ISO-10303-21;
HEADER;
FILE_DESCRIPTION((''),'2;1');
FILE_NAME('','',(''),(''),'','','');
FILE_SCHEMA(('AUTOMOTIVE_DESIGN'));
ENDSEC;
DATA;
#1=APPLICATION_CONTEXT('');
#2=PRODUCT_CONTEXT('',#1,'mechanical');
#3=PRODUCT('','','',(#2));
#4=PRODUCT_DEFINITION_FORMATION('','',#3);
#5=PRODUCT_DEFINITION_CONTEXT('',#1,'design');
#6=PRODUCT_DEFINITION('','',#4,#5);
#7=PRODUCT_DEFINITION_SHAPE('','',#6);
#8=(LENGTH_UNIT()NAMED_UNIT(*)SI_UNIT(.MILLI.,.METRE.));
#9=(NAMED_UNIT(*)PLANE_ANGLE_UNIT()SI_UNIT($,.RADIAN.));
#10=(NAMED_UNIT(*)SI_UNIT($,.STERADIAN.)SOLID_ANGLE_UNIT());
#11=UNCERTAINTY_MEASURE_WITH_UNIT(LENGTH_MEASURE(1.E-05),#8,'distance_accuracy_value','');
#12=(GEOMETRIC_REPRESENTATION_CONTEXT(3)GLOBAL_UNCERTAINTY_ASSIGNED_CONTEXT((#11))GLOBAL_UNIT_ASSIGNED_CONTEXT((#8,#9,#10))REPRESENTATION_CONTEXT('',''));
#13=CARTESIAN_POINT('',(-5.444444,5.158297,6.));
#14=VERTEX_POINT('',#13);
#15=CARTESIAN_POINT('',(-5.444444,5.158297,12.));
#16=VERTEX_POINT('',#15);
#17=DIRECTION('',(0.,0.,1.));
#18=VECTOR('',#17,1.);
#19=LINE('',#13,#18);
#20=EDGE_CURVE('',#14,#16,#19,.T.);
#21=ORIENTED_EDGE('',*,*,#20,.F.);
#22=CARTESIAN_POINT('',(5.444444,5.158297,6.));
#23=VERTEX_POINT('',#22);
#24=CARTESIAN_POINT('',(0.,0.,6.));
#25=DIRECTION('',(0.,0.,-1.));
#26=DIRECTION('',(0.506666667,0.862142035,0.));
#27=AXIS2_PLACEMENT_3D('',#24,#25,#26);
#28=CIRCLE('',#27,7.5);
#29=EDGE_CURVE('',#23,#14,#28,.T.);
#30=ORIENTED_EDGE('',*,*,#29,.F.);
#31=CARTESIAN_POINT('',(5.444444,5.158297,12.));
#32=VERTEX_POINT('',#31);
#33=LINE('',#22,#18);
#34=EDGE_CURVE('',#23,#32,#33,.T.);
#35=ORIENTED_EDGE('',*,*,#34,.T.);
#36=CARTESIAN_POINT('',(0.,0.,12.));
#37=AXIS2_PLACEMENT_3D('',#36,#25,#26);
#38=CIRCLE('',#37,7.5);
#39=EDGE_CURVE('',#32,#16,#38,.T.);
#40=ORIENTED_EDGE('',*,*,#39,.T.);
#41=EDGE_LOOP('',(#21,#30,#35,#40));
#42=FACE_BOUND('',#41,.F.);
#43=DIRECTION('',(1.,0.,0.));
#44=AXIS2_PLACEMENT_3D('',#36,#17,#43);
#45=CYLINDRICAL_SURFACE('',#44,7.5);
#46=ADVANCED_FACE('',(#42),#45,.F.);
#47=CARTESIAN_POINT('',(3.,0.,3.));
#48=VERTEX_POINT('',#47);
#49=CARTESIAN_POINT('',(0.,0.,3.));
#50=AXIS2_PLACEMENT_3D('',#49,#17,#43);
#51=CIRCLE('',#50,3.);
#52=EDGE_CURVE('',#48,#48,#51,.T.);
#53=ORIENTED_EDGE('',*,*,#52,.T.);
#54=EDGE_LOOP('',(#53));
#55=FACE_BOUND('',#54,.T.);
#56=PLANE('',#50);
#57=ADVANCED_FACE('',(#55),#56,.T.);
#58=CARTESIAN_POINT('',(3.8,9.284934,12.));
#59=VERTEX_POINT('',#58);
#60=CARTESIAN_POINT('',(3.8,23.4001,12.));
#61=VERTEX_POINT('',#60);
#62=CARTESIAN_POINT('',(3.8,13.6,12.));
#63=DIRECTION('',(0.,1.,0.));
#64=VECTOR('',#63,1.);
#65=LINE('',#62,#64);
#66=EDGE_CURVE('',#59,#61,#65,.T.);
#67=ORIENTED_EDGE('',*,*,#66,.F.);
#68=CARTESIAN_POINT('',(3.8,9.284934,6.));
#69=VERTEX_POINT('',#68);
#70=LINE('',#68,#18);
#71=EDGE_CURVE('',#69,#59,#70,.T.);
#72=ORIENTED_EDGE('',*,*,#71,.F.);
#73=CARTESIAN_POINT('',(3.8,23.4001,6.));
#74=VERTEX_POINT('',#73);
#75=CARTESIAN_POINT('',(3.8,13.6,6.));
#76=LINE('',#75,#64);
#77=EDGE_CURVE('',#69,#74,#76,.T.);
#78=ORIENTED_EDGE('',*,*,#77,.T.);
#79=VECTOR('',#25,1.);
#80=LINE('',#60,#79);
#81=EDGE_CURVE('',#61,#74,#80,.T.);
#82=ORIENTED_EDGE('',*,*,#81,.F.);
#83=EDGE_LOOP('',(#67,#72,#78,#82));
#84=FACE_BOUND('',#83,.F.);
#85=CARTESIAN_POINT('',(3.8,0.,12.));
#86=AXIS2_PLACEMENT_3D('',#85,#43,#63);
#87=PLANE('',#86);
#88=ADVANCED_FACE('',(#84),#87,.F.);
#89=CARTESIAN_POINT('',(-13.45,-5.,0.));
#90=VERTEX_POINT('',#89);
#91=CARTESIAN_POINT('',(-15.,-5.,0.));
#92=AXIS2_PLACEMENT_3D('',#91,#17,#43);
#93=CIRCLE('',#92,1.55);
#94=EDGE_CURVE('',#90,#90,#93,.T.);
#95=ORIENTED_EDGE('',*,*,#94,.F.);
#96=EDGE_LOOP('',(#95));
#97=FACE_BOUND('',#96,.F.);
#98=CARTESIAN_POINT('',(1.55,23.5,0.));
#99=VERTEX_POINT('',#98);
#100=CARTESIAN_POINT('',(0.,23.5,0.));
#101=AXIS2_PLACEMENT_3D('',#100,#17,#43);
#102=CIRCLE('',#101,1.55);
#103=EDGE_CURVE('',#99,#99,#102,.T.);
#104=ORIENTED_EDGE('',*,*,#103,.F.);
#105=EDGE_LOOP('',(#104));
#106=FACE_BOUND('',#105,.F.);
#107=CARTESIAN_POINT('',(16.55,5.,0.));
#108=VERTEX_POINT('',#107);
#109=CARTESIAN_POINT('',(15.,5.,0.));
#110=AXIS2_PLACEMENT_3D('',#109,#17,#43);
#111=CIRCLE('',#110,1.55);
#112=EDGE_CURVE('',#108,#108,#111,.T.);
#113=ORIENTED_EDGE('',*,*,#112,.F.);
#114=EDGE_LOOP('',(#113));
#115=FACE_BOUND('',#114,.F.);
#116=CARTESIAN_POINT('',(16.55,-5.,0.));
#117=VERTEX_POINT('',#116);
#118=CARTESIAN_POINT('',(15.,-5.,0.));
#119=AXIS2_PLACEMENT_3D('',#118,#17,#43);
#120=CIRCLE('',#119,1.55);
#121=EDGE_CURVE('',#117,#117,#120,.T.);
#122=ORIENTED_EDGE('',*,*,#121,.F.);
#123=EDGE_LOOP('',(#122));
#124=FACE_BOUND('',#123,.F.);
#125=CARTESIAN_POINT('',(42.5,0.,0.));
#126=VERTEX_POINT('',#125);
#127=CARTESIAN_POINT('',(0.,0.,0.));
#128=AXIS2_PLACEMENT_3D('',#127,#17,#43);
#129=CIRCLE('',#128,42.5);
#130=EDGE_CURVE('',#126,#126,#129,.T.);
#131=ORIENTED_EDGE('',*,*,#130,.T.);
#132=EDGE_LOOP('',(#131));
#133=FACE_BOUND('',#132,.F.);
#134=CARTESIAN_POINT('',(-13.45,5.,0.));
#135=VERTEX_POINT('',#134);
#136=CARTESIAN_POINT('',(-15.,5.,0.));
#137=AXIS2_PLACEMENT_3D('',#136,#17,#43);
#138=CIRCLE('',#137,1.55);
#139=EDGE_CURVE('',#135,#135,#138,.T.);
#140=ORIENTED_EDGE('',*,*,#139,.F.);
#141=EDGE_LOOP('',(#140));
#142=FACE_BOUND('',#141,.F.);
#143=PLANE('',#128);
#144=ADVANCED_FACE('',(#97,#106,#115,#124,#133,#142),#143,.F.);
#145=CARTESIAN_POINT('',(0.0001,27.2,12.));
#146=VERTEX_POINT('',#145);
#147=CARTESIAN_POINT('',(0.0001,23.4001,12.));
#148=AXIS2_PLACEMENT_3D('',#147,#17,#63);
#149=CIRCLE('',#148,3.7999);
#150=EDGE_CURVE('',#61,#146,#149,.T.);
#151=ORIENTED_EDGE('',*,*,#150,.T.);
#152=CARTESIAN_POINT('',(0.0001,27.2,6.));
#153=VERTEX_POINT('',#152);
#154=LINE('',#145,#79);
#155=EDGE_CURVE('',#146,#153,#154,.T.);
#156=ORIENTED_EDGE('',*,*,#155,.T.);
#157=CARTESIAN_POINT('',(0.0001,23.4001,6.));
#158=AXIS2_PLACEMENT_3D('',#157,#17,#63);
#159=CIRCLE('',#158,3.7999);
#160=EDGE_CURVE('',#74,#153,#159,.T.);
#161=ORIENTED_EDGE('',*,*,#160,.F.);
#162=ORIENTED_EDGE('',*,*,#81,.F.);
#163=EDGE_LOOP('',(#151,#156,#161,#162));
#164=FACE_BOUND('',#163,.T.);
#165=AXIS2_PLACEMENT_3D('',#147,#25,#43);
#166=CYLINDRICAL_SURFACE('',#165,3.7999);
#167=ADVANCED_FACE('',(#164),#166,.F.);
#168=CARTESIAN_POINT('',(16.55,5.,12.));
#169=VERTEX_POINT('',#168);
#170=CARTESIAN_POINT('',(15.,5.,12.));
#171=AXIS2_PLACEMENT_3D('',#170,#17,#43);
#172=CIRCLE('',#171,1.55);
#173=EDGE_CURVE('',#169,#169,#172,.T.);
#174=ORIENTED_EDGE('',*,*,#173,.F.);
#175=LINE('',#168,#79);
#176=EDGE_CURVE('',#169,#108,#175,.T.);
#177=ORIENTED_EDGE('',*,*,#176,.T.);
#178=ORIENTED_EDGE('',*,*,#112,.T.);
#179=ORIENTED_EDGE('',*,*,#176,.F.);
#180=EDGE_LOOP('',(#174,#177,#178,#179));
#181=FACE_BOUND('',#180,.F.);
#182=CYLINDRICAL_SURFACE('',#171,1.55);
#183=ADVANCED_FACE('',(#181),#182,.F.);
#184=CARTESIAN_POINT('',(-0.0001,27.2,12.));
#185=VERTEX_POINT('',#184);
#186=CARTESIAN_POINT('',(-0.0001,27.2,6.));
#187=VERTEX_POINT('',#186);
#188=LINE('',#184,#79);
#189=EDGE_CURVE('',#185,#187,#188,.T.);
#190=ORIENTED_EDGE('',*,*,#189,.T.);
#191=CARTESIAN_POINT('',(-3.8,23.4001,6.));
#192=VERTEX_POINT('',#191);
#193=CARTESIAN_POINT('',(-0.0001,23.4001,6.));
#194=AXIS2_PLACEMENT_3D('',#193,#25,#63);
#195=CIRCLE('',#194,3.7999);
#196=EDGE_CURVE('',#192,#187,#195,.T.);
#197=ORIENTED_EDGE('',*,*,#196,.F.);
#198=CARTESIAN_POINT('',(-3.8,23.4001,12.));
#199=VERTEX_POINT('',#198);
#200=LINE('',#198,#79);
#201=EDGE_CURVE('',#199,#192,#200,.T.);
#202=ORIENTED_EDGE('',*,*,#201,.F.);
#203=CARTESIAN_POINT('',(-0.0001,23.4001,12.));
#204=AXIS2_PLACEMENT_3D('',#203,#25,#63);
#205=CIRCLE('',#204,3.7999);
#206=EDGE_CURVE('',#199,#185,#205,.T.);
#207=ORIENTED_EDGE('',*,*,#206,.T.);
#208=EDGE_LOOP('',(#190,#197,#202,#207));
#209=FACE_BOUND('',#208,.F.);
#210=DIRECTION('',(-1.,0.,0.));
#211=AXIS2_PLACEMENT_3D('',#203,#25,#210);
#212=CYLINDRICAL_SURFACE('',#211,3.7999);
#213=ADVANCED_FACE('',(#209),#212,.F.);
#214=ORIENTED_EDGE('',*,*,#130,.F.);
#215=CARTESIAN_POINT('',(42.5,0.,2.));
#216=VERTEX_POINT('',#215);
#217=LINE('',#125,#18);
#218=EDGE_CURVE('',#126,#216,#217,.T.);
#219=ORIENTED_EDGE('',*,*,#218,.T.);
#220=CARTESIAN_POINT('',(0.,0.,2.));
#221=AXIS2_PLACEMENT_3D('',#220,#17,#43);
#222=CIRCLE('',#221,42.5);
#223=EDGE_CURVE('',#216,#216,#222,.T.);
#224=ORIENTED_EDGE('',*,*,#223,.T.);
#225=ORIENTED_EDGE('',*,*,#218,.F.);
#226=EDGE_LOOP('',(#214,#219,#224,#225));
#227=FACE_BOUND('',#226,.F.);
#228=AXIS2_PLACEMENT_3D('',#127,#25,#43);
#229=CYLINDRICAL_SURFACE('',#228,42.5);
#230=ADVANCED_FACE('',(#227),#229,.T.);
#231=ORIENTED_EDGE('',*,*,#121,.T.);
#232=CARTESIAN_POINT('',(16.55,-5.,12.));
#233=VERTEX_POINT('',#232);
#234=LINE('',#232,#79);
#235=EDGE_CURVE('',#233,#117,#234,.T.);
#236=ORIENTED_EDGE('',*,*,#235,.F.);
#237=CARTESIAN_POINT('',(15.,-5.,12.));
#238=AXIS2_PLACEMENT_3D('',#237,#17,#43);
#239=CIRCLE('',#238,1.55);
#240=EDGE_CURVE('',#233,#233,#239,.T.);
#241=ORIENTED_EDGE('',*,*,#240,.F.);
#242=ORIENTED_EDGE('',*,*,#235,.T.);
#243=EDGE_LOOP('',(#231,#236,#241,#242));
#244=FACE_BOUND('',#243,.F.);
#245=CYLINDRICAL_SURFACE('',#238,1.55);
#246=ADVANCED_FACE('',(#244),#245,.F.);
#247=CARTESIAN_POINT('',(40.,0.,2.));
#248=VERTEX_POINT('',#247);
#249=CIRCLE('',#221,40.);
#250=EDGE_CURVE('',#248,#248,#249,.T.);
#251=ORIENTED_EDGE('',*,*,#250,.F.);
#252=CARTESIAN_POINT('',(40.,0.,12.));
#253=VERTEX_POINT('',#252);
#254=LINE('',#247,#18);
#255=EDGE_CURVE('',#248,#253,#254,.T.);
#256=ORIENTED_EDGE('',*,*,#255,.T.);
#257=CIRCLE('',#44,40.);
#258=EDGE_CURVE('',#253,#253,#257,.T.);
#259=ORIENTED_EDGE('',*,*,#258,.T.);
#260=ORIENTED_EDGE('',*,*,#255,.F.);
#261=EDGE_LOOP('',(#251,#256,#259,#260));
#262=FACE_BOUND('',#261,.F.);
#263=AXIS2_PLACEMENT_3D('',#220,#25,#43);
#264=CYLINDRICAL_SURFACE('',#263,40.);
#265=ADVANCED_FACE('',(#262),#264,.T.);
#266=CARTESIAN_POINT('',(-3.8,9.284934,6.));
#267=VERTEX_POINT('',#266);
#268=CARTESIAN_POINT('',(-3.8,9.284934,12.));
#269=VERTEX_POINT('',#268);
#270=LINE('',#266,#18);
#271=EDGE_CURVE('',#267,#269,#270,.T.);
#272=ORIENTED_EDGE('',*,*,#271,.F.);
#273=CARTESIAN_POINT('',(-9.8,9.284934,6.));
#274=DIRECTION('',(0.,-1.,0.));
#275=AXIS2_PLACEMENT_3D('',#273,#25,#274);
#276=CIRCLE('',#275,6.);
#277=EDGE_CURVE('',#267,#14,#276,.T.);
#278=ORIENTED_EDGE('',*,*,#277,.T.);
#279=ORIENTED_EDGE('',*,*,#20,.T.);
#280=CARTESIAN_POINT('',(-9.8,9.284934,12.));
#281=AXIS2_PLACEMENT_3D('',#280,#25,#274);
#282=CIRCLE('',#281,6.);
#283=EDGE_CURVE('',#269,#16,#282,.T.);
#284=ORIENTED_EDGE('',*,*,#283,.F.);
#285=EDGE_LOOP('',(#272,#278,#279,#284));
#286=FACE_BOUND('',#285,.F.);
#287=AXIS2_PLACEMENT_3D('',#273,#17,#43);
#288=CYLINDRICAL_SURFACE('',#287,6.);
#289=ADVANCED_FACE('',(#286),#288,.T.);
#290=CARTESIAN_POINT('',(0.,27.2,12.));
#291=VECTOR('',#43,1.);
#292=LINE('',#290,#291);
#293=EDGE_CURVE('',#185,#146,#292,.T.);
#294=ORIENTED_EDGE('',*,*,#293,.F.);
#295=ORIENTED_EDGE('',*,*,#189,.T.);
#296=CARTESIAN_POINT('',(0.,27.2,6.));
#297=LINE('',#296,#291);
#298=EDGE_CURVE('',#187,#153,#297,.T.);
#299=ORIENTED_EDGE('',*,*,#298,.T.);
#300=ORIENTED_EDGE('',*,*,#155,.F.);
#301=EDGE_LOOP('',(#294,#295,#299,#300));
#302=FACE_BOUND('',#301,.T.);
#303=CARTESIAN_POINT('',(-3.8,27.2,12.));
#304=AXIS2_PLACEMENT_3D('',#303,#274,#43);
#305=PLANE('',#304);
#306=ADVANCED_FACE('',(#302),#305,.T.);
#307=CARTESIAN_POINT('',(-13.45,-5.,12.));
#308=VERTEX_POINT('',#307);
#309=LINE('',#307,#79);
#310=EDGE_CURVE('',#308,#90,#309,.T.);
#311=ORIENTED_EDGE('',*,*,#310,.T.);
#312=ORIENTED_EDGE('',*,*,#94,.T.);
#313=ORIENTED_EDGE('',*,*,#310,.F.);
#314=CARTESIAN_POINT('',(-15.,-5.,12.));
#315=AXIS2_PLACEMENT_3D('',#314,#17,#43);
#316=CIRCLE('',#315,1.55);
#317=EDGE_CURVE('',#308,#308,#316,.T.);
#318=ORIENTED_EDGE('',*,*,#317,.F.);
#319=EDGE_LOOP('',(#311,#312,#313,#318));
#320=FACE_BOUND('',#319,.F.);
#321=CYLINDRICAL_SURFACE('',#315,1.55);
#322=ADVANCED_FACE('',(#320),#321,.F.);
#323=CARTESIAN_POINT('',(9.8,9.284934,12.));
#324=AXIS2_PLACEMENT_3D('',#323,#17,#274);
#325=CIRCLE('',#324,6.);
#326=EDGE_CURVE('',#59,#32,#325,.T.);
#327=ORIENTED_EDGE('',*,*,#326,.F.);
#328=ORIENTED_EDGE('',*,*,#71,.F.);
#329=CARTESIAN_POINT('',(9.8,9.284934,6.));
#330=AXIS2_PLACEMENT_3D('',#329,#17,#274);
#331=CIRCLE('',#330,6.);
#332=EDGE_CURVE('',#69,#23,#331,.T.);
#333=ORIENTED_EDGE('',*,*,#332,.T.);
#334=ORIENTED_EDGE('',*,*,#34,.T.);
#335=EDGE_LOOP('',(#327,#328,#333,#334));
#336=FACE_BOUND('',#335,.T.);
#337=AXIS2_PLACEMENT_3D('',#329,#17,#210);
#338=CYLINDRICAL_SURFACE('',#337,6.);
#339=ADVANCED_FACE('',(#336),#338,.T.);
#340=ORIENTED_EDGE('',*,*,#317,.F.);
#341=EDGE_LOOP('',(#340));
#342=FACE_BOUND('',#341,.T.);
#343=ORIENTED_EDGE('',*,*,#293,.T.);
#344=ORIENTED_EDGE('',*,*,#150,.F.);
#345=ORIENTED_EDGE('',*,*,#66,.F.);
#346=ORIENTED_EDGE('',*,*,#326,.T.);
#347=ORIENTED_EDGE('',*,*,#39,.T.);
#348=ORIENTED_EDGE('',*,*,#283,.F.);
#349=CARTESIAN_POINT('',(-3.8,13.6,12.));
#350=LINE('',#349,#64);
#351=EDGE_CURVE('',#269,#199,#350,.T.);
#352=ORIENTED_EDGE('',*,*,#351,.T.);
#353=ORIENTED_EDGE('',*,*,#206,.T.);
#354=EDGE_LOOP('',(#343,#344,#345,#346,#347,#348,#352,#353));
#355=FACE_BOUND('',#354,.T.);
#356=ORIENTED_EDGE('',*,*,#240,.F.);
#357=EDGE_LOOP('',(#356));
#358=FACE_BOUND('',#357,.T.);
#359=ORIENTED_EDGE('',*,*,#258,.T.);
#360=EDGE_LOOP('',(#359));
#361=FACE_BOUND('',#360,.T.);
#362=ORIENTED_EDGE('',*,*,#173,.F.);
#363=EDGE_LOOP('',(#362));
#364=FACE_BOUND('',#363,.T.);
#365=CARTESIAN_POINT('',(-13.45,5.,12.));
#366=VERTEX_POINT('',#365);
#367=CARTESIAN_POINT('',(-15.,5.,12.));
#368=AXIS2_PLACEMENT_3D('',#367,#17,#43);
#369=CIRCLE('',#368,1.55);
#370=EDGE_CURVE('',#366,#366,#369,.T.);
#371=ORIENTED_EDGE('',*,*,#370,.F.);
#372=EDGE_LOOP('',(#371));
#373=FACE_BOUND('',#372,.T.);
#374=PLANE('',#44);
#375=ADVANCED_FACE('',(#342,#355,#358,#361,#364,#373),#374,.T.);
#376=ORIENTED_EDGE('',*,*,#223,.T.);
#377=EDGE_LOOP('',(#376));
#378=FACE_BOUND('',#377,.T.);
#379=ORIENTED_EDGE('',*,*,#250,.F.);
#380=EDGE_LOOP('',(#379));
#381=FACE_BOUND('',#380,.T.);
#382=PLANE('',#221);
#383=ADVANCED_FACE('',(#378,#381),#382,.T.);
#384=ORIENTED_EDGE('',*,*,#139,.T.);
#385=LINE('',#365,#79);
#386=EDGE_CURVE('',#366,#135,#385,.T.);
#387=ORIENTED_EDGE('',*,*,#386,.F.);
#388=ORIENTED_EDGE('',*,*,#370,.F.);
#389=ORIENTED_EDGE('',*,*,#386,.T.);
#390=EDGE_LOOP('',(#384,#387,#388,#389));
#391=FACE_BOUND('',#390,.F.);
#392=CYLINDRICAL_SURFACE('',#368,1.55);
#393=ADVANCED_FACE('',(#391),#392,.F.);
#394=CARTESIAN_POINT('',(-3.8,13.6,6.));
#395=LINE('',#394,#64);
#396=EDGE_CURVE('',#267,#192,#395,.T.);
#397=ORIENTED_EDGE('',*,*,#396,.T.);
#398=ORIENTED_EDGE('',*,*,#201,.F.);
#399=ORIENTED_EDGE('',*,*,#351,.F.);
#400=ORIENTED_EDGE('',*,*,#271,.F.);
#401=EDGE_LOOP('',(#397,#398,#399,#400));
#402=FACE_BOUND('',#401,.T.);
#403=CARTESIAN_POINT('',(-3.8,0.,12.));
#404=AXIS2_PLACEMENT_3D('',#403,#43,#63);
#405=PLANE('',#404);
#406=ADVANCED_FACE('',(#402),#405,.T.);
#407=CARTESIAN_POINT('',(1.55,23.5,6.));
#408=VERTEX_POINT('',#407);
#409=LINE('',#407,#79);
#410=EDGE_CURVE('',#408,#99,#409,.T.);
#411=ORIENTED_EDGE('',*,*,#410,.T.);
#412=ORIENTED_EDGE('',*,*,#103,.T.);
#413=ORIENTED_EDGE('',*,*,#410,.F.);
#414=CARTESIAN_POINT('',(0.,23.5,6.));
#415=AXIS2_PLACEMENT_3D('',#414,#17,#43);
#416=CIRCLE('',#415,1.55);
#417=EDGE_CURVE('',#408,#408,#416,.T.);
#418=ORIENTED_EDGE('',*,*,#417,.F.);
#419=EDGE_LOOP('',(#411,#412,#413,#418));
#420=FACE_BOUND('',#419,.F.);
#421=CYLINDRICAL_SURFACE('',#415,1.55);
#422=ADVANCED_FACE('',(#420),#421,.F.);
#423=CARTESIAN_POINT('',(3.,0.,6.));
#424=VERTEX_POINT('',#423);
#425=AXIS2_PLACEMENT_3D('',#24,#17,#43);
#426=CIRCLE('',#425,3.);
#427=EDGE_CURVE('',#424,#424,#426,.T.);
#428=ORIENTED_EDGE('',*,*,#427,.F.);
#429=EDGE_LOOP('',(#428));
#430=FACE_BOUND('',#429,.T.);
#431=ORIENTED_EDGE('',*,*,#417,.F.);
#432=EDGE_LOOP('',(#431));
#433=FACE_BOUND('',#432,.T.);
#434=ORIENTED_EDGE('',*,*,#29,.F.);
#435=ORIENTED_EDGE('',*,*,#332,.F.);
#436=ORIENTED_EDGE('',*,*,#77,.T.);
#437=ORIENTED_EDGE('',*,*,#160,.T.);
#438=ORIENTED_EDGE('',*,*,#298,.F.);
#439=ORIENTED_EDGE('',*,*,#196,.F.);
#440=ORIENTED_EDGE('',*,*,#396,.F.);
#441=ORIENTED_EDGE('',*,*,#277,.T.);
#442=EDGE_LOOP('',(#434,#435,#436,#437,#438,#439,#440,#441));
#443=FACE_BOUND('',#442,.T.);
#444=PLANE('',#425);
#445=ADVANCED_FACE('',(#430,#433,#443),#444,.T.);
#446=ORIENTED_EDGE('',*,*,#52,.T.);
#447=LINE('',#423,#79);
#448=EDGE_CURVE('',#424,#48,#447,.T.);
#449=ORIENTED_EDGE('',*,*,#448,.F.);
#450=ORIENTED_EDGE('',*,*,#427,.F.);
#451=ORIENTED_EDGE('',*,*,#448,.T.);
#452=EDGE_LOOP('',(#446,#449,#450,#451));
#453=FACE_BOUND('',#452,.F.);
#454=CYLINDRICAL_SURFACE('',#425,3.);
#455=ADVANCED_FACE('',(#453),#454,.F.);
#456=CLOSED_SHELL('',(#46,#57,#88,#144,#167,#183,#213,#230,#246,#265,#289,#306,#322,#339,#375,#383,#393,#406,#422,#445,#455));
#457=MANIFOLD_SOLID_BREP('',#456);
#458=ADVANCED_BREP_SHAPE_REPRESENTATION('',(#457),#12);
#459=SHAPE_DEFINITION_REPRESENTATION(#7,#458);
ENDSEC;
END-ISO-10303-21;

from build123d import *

# Parameters (mm, degrees)
SKETCH_R        = 42.5
PAD_DEPTH       = 2
SKETCH001_R     = 40
PAD001_DEPTH    = 10
SKETCH002_R     = 7.5
POCKET_DEPTH    = 6
SKETCH003_W     = 7.6
SKETCH003_H     = 27.2
POCKET001_DEPTH = 6
FILLET_R        = 6
FILLET001_R     = 3.7999
SKETCH004_R     = 1.55
POCKET002_DEPTH = 6
SKETCH005_R     = 3
POCKET003_DEPTH = 3
SKETCH006_R     = 1.55
POCKET004_DEPTH = 12


with BuildPart() as part:
    # Sketch → Pad (new body)
    with BuildSketch(Plane.XY):
        Circle(SKETCH_R)
    extrude(amount=PAD_DEPTH)

    # Sketch001 (on Face3 of Pad) → Pad001 (join)
    with BuildSketch(Plane.XY.offset(2)):
        Circle(SKETCH001_R)
    extrude(amount=PAD001_DEPTH)

    # Sketch002 (on Face5 of Pad001) → Pocket (cut)
    with BuildSketch(Plane.XY.offset(12)):
        Circle(SKETCH002_R)
    extrude(amount=-POCKET_DEPTH, mode=Mode.SUBTRACT)

    # Sketch003 (on Face5 of Pocket) → Pocket001 (cut)
    with BuildSketch(Plane.XY.offset(12)):
        with Locations((0, 13.6)):
            Rectangle(SKETCH003_W, SKETCH003_H)
    extrude(amount=-POCKET001_DEPTH, mode=Mode.SUBTRACT)

    # Fillet
    fillet_edges = [part.edges().sort_by_distance(p)[0] for p in [
        (-3.8, 6.466065, 9),
        (3.8, 6.466065, 9),
    ]]
    fillet(fillet_edges, radius=FILLET_R)

    # Fillet001
    fillet001_edges = [part.edges().sort_by_distance(p)[0] for p in [
        (3.8, 27.2, 9),
        (-3.8, 27.2, 9),
    ]]
    fillet(fillet001_edges, radius=FILLET001_R)

    # Sketch004 (on Face12 of Fillet001) → Pocket002 (cut)
    with BuildSketch(Plane.XY.offset(6)):
        with Locations((0, 23.5)):
            Circle(SKETCH004_R)
    extrude(amount=-POCKET002_DEPTH, mode=Mode.SUBTRACT)

    # Sketch005 (on Face13 of Pocket002) → Pocket003 (cut)
    with BuildSketch(Plane.XY.offset(6)):
        Circle(SKETCH005_R)
    extrude(amount=-POCKET003_DEPTH, mode=Mode.SUBTRACT)

    # Sketch006 (on Face1 of Pocket003) → Pocket004 (cut)
    with BuildSketch(Plane.XY.offset(12)):
        with Locations((-15, 5)):
            Circle(SKETCH006_R)
        with Locations((15, 5)):
            Circle(SKETCH006_R)
        with Locations((15, -5)):
            Circle(SKETCH006_R)
        with Locations((-15, -5)):
            Circle(SKETCH006_R)
    extrude(amount=-POCKET004_DEPTH, mode=Mode.SUBTRACT)


solid = part.part
